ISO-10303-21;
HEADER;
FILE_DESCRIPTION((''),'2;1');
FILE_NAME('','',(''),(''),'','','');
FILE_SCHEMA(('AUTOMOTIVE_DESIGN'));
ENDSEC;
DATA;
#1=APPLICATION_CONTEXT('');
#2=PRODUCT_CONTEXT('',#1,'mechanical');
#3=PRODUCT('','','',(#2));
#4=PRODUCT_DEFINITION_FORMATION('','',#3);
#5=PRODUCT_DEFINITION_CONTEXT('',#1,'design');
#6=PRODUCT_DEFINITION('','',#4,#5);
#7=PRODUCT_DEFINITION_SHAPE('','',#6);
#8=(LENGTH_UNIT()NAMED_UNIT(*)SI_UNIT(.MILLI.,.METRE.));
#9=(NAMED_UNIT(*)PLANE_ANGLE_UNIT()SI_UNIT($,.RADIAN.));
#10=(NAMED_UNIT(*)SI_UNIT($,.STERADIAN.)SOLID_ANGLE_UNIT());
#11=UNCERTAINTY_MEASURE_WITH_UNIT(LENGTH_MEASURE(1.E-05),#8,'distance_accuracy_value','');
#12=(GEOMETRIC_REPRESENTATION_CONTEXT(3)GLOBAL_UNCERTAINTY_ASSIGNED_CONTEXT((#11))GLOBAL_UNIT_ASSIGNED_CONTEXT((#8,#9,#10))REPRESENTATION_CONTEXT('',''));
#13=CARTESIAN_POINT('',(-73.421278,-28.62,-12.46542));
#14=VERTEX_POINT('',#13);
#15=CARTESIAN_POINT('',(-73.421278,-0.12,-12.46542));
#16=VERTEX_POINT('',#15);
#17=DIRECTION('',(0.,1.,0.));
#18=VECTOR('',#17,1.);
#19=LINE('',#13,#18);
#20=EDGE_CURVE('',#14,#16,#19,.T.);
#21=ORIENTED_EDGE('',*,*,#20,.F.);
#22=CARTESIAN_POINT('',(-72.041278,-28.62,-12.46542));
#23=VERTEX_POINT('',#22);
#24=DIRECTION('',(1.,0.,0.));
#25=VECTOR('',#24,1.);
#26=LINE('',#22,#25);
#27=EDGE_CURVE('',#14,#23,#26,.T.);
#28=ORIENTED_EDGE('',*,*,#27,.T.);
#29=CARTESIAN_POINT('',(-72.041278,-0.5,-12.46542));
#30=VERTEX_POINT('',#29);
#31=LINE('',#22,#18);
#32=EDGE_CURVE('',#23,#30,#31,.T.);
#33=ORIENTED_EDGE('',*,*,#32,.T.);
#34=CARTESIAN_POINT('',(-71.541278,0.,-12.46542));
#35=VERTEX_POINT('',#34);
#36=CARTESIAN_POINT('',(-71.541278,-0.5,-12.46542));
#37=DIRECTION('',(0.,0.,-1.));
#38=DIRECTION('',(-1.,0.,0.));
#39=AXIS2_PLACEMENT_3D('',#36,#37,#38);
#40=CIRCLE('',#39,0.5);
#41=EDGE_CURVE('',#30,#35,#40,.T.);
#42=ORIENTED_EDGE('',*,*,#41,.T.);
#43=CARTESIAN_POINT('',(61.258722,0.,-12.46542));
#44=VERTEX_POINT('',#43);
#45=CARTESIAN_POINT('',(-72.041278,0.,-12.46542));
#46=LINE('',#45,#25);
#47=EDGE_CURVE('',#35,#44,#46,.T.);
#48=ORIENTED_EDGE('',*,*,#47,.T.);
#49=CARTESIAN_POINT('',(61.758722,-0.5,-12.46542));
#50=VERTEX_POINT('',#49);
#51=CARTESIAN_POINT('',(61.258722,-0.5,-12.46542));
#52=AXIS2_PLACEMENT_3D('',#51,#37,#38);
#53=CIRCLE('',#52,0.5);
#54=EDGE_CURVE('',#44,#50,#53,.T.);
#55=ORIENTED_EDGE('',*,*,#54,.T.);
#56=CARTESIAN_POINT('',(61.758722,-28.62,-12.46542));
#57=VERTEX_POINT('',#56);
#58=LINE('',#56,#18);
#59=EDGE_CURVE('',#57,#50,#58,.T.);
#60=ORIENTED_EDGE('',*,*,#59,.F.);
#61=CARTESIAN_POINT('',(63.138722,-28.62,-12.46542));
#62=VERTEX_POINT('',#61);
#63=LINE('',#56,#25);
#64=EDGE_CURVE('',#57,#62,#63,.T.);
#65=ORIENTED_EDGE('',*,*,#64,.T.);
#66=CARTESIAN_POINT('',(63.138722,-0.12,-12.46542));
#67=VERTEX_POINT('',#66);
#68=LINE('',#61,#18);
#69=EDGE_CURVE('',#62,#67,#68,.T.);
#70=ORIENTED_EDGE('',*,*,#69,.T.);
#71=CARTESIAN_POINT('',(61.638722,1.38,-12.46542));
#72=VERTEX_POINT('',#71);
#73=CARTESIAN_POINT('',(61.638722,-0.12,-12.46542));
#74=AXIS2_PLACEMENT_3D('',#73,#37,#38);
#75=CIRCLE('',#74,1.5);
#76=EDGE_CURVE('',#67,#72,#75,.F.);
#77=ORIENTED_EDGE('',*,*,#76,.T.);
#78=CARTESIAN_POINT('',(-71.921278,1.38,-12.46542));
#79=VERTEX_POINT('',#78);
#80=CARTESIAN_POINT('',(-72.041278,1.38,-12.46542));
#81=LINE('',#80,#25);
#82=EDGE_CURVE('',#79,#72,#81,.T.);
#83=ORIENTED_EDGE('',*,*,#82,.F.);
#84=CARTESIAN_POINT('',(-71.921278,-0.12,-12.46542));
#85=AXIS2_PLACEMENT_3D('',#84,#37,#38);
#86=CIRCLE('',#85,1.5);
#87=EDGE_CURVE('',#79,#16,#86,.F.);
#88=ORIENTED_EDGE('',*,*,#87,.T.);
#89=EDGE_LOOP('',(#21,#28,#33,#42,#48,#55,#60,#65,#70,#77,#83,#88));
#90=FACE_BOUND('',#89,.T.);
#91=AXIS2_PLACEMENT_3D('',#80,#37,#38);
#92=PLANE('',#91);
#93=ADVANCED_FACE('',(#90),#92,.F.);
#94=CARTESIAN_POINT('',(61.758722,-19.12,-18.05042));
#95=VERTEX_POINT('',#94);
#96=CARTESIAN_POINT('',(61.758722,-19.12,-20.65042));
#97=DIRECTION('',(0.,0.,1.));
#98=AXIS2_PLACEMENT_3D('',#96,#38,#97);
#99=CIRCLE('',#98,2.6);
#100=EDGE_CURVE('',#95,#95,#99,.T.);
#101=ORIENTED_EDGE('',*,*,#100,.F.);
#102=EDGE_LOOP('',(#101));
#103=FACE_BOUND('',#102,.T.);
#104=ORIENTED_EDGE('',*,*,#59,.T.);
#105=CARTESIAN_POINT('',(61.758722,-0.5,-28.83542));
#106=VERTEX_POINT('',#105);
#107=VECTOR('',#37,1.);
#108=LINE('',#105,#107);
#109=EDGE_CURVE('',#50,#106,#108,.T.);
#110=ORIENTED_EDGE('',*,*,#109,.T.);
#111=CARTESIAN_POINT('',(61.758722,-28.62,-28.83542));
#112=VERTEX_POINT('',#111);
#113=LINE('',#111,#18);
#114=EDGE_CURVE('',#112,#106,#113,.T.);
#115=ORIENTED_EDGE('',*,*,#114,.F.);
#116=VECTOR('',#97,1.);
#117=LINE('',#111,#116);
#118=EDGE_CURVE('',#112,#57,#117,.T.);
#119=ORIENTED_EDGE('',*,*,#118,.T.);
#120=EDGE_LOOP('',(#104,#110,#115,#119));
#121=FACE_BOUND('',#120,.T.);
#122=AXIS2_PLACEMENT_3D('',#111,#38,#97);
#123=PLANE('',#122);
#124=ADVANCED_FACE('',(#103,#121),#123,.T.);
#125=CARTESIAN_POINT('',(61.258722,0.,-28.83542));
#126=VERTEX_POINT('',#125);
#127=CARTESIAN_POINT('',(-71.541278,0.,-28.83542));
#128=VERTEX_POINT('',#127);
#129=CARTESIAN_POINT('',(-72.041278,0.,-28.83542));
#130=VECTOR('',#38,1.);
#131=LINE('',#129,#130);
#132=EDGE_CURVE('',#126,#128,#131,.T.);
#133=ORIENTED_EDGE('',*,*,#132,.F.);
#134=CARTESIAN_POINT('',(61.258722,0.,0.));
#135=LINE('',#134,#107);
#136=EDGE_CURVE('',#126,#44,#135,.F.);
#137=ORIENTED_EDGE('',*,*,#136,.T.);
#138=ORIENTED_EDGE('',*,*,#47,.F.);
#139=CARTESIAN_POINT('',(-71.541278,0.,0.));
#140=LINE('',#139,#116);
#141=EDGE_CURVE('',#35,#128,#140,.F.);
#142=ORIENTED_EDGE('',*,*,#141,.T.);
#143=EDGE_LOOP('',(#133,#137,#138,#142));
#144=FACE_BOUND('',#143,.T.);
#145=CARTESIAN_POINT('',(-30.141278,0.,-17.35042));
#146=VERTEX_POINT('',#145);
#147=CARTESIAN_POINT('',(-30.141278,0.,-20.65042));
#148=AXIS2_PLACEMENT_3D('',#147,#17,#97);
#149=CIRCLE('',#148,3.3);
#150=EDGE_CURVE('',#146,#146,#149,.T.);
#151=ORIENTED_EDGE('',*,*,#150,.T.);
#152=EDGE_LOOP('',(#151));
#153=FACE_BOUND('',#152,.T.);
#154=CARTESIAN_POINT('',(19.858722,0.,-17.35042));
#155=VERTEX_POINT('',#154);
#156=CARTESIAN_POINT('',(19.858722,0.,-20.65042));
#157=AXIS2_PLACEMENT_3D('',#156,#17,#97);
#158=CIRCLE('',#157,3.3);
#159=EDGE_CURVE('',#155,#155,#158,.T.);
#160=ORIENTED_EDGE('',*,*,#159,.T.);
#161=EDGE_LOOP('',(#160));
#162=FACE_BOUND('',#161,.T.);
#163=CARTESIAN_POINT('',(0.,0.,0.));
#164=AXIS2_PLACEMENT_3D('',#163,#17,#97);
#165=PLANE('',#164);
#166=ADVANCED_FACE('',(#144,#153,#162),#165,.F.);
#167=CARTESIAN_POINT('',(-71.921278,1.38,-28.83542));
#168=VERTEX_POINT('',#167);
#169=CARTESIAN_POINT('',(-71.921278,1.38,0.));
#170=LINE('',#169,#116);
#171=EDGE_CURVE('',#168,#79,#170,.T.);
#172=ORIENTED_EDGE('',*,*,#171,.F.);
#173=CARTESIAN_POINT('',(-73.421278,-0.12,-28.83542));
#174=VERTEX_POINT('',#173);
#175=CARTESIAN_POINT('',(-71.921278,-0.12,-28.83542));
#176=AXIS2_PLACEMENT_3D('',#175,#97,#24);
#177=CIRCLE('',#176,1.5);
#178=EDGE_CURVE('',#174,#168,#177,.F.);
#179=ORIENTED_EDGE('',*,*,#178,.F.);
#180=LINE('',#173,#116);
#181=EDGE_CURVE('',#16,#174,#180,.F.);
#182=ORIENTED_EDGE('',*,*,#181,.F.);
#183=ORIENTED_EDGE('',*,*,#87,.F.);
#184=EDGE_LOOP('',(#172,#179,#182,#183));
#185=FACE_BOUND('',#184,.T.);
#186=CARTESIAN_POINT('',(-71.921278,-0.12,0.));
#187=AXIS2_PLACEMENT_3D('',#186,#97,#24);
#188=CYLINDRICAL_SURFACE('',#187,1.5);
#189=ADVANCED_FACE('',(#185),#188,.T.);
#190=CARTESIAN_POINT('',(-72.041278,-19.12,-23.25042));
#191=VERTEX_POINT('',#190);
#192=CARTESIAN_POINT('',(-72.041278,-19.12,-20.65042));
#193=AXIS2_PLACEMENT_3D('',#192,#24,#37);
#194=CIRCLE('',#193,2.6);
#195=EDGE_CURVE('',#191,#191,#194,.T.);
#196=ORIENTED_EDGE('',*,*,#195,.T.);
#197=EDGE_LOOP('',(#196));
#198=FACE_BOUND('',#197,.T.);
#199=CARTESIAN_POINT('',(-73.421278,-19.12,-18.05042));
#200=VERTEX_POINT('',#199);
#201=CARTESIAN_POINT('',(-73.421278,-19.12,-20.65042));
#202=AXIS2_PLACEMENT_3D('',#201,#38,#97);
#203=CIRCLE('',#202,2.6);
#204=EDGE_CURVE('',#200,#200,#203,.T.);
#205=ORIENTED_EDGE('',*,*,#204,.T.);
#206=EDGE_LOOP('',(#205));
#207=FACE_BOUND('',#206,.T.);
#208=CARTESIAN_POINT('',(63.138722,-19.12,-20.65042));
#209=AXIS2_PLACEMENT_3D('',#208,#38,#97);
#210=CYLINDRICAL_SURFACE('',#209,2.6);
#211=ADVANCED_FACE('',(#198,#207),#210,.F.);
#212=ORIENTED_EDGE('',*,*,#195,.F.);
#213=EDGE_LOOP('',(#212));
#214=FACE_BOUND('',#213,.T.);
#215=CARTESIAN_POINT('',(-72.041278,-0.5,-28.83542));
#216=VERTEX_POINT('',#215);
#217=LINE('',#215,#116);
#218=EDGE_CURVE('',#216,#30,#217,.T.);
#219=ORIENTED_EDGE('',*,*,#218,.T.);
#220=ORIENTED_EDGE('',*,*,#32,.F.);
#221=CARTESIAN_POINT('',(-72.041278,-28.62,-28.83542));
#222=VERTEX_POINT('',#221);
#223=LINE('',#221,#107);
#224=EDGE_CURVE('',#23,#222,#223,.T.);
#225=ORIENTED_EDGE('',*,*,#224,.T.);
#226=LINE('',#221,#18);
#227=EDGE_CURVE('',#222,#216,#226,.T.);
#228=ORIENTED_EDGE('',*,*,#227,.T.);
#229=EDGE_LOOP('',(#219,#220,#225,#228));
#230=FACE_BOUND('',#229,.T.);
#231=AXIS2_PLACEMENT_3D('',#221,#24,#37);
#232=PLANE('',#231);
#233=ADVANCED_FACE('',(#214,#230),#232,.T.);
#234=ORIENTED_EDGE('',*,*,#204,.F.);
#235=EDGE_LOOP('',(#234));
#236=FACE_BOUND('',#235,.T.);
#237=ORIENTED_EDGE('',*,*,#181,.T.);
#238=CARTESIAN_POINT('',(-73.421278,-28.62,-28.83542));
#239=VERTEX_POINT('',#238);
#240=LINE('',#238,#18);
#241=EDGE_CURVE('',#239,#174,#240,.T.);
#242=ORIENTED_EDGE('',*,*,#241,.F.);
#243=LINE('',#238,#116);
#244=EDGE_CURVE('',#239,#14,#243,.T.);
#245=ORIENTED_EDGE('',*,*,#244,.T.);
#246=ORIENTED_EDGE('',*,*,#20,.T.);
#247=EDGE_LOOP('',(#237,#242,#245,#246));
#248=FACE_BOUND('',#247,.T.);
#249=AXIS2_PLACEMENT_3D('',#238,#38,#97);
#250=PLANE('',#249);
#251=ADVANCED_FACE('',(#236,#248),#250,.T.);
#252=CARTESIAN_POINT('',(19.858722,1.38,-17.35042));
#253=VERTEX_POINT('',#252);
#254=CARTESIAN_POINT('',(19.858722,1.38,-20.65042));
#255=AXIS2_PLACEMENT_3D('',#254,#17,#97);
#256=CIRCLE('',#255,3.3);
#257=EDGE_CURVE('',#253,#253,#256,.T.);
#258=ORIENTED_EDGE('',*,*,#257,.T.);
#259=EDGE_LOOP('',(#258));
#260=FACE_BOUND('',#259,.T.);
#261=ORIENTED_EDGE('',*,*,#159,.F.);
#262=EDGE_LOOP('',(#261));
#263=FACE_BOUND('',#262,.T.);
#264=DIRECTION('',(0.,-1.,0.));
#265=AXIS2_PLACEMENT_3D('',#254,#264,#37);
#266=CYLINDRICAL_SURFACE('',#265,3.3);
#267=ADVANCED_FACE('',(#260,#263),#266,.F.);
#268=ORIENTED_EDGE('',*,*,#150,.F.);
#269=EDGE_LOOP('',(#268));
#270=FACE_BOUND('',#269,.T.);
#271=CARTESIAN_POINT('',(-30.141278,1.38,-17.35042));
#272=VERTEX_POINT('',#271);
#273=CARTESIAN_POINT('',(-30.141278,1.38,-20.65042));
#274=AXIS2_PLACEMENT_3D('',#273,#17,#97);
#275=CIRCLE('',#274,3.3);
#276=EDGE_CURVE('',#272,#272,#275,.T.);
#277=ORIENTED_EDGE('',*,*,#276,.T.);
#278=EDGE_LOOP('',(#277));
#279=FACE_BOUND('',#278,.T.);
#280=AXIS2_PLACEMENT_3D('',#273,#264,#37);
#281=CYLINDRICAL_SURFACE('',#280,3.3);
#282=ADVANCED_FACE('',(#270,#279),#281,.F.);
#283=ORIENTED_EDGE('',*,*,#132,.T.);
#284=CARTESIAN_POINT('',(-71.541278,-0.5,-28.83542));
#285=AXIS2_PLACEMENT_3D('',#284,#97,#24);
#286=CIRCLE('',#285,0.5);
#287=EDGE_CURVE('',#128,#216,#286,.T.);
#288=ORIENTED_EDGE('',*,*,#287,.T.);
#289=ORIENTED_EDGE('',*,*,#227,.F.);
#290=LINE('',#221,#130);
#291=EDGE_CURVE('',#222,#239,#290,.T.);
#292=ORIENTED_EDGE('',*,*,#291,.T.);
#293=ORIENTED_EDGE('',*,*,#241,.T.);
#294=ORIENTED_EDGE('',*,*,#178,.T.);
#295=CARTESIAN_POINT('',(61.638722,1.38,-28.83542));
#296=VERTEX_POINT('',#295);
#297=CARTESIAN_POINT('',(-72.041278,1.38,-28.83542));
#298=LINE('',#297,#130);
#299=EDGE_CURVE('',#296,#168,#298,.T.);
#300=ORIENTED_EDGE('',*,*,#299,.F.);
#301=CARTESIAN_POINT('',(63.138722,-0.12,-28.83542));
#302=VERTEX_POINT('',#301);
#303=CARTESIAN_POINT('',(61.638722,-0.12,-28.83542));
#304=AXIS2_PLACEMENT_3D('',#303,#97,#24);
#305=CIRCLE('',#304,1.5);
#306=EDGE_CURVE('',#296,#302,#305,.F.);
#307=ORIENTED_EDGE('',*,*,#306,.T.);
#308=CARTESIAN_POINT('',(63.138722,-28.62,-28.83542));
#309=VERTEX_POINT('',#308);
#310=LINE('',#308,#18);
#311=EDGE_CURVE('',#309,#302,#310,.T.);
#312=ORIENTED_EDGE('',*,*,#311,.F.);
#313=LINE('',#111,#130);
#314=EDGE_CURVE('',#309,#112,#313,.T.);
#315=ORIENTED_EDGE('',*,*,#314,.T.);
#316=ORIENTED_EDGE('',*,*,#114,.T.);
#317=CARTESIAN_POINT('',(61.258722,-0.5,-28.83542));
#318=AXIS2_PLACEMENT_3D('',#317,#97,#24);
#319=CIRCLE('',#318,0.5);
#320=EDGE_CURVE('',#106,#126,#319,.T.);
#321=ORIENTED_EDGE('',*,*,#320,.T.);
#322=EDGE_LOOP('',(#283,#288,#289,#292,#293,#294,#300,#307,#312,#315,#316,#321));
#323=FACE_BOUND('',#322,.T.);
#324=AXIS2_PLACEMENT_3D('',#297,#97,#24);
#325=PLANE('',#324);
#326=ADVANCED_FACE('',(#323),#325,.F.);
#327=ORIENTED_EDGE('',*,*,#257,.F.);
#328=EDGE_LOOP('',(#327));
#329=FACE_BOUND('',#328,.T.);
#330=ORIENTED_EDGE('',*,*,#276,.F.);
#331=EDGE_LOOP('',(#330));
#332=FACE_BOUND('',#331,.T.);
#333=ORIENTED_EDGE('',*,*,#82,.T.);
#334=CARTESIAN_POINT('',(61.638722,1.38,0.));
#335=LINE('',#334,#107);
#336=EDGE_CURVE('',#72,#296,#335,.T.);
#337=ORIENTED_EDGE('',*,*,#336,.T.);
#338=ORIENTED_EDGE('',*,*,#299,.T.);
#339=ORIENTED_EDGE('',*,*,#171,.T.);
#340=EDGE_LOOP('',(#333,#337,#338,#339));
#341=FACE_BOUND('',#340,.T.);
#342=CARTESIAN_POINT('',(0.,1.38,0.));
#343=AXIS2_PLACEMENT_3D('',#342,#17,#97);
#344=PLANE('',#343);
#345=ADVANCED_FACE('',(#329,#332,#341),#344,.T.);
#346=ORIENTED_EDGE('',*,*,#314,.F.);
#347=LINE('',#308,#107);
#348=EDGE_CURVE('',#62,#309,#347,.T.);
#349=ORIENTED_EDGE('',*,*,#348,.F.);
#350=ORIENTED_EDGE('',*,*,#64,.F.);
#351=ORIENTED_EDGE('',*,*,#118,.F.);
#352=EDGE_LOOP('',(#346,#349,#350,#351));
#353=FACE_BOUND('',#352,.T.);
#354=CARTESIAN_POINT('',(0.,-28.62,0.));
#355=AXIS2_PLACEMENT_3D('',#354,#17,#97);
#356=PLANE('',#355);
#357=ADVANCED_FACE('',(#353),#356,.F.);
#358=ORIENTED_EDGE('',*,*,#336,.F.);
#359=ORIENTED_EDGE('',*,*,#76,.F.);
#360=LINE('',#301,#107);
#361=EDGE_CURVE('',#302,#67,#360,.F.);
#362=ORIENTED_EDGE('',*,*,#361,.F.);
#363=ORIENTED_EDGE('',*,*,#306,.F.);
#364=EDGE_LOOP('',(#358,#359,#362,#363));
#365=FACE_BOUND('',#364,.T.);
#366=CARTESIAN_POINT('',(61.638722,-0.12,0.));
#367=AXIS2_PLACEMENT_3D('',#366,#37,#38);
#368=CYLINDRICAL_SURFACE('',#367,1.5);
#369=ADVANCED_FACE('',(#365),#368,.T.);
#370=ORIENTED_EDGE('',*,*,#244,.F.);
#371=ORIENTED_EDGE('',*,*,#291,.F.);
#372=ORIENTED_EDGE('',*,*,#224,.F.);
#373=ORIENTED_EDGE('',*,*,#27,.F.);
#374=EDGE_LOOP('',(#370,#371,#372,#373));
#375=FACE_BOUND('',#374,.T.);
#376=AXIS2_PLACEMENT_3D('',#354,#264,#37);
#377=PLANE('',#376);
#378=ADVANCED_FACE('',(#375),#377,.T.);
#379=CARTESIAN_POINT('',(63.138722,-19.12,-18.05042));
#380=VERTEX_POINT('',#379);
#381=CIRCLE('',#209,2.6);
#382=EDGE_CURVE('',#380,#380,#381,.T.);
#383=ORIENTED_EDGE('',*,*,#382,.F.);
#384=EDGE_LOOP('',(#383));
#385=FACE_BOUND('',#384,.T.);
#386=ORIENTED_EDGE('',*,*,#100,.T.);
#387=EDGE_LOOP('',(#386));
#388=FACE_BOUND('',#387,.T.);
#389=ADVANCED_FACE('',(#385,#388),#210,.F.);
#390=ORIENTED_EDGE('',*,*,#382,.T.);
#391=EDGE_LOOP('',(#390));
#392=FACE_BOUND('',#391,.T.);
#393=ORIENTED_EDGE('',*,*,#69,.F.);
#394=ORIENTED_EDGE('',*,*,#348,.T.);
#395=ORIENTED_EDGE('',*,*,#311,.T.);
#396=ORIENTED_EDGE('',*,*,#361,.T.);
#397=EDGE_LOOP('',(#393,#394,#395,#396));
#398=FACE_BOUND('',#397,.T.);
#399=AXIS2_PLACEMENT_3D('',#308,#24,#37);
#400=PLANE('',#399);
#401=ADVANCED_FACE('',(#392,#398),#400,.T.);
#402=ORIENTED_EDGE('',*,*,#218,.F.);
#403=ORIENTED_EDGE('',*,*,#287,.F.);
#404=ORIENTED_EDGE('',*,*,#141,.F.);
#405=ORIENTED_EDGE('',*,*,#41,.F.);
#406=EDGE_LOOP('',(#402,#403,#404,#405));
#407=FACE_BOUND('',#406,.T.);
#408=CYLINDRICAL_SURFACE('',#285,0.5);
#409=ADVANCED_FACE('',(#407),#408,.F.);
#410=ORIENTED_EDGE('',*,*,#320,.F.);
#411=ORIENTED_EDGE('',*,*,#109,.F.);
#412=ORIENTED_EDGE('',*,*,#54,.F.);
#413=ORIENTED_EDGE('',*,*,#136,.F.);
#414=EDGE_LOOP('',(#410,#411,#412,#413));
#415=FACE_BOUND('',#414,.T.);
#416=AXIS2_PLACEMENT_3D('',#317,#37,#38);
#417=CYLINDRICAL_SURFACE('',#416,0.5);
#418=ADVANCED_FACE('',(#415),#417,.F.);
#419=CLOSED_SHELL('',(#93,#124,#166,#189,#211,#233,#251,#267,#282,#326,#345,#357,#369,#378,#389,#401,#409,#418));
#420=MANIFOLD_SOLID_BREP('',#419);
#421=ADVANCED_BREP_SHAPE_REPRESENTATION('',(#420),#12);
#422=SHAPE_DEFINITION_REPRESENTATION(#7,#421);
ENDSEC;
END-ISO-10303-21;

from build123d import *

# Parameters (mm, degrees)
SKETCH1_W           = 133.8
SKETCH1_H           = 16.37
SKETCH1_R           = 3.3
BOSS_EXTRUDE1_DEPTH = 1.38
SKETCH2_W           = 1.38
SKETCH2_H           = 16.37
BOSS_EXTRUDE2_DEPTH = 30
FILLET1_R           = 1.5
FILLET2_R           = 0.5
SKETCH3_R           = 2.6
CUT_EXTRUDE1_DEPTH  = 137.56


with BuildPart() as part:
    # Sketch1 → Boss-Extrude1 (new body)
    with BuildSketch(Plane(origin=(0, 0, 0), x_dir=(1, 0, 0), z_dir=(0, 1, 0))):
        with Locations((-5.141278074, 20.650419702)):
            Rectangle(SKETCH1_W, SKETCH1_H)
        with Locations((-30.141278074, 20.650419702)):
            Circle(SKETCH1_R, mode=Mode.SUBTRACT)
        with Locations((19.858721926, 20.650419702)):
            Circle(SKETCH1_R, mode=Mode.SUBTRACT)
    extrude(amount=BOSS_EXTRUDE1_DEPTH)

    # Sketch2 → Boss-Extrude2 (add)
    with BuildSketch(Plane(origin=(0, 1.38, 0), x_dir=(1, 0, 0), z_dir=(0, 1, 0))):
        with Locations((-72.731278074, 20.650419702)):
            Rectangle(SKETCH2_W, SKETCH2_H)
        with Locations((62.448721926, 20.650419702)):
            Rectangle(SKETCH2_W, SKETCH2_H)
    extrude(amount=-BOSS_EXTRUDE2_DEPTH)

    # Fillet1
    fillet1_edges = [part.edges().sort_by_distance(p)[0] for p in [
        (-73.421278074, 1.38, -20.650419702),
        (63.138721926, 1.38, -20.650419702),
    ]]
    fillet(fillet1_edges, radius=FILLET1_R)

    # Fillet2
    fillet2_edges = [part.edges().sort_by_distance(p)[0] for p in [
        (-72.041278074, 0, -20.650419702),
        (61.758721926, 0, -20.650419702),
    ]]
    fillet(fillet2_edges, radius=FILLET2_R)

    # Sketch3 → Cut-Extrude1 (cut, through all)
    with BuildSketch(Plane.ZY.offset(73.421278074)):
        with Locations((-20.650419702, -19.12)):
            Circle(SKETCH3_R)
    extrude(amount=-CUT_EXTRUDE1_DEPTH, mode=Mode.SUBTRACT)


solid = part.part
